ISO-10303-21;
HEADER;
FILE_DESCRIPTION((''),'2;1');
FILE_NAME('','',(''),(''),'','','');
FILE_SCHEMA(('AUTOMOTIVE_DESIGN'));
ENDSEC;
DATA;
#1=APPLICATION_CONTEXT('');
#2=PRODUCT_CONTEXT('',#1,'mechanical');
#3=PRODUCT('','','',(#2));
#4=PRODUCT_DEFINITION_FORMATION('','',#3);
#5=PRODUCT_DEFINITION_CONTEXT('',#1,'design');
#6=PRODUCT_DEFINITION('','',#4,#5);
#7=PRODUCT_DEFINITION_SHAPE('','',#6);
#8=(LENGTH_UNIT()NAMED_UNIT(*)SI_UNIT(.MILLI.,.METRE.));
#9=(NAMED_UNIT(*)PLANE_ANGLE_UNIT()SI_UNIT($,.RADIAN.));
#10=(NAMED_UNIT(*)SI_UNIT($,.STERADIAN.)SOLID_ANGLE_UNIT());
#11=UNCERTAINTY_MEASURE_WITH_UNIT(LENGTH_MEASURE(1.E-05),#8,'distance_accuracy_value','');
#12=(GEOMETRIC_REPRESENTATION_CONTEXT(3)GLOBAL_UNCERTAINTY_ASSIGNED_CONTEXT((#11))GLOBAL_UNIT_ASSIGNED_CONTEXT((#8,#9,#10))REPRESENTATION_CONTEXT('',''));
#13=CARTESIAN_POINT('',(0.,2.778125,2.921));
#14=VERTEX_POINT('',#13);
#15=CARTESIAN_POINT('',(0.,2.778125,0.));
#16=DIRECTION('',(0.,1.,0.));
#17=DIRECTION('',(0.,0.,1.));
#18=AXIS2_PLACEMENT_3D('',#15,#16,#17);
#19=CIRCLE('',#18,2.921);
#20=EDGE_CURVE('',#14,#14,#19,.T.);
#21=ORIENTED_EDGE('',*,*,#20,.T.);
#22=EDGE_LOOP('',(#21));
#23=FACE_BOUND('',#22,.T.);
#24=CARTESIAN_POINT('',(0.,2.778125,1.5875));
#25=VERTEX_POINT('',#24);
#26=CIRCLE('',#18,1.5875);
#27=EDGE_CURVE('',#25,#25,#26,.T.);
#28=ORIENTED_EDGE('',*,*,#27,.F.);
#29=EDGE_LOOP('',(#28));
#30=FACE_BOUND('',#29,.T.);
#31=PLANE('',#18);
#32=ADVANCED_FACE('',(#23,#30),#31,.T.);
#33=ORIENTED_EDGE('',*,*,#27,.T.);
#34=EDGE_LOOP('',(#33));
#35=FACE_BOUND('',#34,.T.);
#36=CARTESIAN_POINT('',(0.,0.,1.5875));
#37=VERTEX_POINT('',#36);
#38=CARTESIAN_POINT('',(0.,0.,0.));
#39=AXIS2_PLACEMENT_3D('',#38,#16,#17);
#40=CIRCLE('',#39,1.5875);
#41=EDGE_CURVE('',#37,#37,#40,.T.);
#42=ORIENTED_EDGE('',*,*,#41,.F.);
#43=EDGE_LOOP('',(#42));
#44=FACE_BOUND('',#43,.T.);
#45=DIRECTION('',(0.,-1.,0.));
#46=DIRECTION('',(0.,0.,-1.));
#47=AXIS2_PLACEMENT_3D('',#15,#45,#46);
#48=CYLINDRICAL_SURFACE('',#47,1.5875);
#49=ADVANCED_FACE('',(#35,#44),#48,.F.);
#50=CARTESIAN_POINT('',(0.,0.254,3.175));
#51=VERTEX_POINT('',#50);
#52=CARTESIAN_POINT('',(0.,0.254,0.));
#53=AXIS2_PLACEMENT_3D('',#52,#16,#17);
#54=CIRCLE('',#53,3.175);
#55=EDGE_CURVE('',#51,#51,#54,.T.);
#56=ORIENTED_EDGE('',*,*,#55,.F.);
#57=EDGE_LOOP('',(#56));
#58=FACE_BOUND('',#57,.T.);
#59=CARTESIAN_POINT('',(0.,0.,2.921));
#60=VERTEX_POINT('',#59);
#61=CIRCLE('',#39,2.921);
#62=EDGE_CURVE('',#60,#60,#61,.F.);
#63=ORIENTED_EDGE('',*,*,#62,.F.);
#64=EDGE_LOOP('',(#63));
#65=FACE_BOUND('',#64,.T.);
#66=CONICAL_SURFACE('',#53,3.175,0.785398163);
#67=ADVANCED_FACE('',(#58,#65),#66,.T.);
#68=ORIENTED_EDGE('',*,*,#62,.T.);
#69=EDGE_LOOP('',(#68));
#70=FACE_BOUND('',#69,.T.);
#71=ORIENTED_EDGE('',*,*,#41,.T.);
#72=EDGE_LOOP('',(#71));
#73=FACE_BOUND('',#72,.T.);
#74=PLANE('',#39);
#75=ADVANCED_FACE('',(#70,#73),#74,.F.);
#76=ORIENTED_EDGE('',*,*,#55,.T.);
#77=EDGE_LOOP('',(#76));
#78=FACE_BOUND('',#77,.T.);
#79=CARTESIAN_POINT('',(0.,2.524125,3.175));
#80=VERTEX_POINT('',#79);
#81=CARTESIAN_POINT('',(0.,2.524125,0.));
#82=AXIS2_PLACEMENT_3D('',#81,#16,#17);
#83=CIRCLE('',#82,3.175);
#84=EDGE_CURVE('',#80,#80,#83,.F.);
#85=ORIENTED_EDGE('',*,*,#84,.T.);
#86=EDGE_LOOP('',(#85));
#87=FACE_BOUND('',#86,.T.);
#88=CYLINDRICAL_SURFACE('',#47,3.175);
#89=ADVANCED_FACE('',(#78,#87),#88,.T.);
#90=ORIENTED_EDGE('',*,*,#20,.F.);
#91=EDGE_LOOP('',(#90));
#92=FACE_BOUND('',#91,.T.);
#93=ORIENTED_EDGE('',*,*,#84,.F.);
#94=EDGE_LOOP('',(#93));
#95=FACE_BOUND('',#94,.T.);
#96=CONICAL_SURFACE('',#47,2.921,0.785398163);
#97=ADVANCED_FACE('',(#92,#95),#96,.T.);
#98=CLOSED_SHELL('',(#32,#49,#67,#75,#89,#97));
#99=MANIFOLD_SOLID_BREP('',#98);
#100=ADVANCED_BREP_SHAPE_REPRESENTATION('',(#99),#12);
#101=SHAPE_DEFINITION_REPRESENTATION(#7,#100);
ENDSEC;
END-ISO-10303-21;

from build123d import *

# Parameters (mm, degrees)
SKETCH1_R           = 3.175
SKETCH1_R_2         = 1.5875
BOSS_EXTRUDE1_DEPTH = 2.778125
CHAMFER1_SIZE       = 0.254


with BuildPart() as part:
    # Sketch1 → Boss-Extrude1 (new body)
    with BuildSketch(Plane(origin=(0, 0, 0), x_dir=(1, 0, 0), z_dir=(0, 1, 0))):
        with Locations(Location((0, 0, 0), (0, 0, 270))):
            Circle(SKETCH1_R)
        with Locations(Location((0, 0, 0), (0, 0, 270))):
            Circle(SKETCH1_R_2, mode=Mode.SUBTRACT)
    extrude(amount=BOSS_EXTRUDE1_DEPTH)

    # Chamfer1
    chamfer1_edges = [part.edges().sort_by_distance(p)[0] for p in [
        (0, 0, -3.175),
        (0, 2.778125, -3.175),
    ]]
    chamfer(chamfer1_edges, length=CHAMFER1_SIZE)


solid = part.part
